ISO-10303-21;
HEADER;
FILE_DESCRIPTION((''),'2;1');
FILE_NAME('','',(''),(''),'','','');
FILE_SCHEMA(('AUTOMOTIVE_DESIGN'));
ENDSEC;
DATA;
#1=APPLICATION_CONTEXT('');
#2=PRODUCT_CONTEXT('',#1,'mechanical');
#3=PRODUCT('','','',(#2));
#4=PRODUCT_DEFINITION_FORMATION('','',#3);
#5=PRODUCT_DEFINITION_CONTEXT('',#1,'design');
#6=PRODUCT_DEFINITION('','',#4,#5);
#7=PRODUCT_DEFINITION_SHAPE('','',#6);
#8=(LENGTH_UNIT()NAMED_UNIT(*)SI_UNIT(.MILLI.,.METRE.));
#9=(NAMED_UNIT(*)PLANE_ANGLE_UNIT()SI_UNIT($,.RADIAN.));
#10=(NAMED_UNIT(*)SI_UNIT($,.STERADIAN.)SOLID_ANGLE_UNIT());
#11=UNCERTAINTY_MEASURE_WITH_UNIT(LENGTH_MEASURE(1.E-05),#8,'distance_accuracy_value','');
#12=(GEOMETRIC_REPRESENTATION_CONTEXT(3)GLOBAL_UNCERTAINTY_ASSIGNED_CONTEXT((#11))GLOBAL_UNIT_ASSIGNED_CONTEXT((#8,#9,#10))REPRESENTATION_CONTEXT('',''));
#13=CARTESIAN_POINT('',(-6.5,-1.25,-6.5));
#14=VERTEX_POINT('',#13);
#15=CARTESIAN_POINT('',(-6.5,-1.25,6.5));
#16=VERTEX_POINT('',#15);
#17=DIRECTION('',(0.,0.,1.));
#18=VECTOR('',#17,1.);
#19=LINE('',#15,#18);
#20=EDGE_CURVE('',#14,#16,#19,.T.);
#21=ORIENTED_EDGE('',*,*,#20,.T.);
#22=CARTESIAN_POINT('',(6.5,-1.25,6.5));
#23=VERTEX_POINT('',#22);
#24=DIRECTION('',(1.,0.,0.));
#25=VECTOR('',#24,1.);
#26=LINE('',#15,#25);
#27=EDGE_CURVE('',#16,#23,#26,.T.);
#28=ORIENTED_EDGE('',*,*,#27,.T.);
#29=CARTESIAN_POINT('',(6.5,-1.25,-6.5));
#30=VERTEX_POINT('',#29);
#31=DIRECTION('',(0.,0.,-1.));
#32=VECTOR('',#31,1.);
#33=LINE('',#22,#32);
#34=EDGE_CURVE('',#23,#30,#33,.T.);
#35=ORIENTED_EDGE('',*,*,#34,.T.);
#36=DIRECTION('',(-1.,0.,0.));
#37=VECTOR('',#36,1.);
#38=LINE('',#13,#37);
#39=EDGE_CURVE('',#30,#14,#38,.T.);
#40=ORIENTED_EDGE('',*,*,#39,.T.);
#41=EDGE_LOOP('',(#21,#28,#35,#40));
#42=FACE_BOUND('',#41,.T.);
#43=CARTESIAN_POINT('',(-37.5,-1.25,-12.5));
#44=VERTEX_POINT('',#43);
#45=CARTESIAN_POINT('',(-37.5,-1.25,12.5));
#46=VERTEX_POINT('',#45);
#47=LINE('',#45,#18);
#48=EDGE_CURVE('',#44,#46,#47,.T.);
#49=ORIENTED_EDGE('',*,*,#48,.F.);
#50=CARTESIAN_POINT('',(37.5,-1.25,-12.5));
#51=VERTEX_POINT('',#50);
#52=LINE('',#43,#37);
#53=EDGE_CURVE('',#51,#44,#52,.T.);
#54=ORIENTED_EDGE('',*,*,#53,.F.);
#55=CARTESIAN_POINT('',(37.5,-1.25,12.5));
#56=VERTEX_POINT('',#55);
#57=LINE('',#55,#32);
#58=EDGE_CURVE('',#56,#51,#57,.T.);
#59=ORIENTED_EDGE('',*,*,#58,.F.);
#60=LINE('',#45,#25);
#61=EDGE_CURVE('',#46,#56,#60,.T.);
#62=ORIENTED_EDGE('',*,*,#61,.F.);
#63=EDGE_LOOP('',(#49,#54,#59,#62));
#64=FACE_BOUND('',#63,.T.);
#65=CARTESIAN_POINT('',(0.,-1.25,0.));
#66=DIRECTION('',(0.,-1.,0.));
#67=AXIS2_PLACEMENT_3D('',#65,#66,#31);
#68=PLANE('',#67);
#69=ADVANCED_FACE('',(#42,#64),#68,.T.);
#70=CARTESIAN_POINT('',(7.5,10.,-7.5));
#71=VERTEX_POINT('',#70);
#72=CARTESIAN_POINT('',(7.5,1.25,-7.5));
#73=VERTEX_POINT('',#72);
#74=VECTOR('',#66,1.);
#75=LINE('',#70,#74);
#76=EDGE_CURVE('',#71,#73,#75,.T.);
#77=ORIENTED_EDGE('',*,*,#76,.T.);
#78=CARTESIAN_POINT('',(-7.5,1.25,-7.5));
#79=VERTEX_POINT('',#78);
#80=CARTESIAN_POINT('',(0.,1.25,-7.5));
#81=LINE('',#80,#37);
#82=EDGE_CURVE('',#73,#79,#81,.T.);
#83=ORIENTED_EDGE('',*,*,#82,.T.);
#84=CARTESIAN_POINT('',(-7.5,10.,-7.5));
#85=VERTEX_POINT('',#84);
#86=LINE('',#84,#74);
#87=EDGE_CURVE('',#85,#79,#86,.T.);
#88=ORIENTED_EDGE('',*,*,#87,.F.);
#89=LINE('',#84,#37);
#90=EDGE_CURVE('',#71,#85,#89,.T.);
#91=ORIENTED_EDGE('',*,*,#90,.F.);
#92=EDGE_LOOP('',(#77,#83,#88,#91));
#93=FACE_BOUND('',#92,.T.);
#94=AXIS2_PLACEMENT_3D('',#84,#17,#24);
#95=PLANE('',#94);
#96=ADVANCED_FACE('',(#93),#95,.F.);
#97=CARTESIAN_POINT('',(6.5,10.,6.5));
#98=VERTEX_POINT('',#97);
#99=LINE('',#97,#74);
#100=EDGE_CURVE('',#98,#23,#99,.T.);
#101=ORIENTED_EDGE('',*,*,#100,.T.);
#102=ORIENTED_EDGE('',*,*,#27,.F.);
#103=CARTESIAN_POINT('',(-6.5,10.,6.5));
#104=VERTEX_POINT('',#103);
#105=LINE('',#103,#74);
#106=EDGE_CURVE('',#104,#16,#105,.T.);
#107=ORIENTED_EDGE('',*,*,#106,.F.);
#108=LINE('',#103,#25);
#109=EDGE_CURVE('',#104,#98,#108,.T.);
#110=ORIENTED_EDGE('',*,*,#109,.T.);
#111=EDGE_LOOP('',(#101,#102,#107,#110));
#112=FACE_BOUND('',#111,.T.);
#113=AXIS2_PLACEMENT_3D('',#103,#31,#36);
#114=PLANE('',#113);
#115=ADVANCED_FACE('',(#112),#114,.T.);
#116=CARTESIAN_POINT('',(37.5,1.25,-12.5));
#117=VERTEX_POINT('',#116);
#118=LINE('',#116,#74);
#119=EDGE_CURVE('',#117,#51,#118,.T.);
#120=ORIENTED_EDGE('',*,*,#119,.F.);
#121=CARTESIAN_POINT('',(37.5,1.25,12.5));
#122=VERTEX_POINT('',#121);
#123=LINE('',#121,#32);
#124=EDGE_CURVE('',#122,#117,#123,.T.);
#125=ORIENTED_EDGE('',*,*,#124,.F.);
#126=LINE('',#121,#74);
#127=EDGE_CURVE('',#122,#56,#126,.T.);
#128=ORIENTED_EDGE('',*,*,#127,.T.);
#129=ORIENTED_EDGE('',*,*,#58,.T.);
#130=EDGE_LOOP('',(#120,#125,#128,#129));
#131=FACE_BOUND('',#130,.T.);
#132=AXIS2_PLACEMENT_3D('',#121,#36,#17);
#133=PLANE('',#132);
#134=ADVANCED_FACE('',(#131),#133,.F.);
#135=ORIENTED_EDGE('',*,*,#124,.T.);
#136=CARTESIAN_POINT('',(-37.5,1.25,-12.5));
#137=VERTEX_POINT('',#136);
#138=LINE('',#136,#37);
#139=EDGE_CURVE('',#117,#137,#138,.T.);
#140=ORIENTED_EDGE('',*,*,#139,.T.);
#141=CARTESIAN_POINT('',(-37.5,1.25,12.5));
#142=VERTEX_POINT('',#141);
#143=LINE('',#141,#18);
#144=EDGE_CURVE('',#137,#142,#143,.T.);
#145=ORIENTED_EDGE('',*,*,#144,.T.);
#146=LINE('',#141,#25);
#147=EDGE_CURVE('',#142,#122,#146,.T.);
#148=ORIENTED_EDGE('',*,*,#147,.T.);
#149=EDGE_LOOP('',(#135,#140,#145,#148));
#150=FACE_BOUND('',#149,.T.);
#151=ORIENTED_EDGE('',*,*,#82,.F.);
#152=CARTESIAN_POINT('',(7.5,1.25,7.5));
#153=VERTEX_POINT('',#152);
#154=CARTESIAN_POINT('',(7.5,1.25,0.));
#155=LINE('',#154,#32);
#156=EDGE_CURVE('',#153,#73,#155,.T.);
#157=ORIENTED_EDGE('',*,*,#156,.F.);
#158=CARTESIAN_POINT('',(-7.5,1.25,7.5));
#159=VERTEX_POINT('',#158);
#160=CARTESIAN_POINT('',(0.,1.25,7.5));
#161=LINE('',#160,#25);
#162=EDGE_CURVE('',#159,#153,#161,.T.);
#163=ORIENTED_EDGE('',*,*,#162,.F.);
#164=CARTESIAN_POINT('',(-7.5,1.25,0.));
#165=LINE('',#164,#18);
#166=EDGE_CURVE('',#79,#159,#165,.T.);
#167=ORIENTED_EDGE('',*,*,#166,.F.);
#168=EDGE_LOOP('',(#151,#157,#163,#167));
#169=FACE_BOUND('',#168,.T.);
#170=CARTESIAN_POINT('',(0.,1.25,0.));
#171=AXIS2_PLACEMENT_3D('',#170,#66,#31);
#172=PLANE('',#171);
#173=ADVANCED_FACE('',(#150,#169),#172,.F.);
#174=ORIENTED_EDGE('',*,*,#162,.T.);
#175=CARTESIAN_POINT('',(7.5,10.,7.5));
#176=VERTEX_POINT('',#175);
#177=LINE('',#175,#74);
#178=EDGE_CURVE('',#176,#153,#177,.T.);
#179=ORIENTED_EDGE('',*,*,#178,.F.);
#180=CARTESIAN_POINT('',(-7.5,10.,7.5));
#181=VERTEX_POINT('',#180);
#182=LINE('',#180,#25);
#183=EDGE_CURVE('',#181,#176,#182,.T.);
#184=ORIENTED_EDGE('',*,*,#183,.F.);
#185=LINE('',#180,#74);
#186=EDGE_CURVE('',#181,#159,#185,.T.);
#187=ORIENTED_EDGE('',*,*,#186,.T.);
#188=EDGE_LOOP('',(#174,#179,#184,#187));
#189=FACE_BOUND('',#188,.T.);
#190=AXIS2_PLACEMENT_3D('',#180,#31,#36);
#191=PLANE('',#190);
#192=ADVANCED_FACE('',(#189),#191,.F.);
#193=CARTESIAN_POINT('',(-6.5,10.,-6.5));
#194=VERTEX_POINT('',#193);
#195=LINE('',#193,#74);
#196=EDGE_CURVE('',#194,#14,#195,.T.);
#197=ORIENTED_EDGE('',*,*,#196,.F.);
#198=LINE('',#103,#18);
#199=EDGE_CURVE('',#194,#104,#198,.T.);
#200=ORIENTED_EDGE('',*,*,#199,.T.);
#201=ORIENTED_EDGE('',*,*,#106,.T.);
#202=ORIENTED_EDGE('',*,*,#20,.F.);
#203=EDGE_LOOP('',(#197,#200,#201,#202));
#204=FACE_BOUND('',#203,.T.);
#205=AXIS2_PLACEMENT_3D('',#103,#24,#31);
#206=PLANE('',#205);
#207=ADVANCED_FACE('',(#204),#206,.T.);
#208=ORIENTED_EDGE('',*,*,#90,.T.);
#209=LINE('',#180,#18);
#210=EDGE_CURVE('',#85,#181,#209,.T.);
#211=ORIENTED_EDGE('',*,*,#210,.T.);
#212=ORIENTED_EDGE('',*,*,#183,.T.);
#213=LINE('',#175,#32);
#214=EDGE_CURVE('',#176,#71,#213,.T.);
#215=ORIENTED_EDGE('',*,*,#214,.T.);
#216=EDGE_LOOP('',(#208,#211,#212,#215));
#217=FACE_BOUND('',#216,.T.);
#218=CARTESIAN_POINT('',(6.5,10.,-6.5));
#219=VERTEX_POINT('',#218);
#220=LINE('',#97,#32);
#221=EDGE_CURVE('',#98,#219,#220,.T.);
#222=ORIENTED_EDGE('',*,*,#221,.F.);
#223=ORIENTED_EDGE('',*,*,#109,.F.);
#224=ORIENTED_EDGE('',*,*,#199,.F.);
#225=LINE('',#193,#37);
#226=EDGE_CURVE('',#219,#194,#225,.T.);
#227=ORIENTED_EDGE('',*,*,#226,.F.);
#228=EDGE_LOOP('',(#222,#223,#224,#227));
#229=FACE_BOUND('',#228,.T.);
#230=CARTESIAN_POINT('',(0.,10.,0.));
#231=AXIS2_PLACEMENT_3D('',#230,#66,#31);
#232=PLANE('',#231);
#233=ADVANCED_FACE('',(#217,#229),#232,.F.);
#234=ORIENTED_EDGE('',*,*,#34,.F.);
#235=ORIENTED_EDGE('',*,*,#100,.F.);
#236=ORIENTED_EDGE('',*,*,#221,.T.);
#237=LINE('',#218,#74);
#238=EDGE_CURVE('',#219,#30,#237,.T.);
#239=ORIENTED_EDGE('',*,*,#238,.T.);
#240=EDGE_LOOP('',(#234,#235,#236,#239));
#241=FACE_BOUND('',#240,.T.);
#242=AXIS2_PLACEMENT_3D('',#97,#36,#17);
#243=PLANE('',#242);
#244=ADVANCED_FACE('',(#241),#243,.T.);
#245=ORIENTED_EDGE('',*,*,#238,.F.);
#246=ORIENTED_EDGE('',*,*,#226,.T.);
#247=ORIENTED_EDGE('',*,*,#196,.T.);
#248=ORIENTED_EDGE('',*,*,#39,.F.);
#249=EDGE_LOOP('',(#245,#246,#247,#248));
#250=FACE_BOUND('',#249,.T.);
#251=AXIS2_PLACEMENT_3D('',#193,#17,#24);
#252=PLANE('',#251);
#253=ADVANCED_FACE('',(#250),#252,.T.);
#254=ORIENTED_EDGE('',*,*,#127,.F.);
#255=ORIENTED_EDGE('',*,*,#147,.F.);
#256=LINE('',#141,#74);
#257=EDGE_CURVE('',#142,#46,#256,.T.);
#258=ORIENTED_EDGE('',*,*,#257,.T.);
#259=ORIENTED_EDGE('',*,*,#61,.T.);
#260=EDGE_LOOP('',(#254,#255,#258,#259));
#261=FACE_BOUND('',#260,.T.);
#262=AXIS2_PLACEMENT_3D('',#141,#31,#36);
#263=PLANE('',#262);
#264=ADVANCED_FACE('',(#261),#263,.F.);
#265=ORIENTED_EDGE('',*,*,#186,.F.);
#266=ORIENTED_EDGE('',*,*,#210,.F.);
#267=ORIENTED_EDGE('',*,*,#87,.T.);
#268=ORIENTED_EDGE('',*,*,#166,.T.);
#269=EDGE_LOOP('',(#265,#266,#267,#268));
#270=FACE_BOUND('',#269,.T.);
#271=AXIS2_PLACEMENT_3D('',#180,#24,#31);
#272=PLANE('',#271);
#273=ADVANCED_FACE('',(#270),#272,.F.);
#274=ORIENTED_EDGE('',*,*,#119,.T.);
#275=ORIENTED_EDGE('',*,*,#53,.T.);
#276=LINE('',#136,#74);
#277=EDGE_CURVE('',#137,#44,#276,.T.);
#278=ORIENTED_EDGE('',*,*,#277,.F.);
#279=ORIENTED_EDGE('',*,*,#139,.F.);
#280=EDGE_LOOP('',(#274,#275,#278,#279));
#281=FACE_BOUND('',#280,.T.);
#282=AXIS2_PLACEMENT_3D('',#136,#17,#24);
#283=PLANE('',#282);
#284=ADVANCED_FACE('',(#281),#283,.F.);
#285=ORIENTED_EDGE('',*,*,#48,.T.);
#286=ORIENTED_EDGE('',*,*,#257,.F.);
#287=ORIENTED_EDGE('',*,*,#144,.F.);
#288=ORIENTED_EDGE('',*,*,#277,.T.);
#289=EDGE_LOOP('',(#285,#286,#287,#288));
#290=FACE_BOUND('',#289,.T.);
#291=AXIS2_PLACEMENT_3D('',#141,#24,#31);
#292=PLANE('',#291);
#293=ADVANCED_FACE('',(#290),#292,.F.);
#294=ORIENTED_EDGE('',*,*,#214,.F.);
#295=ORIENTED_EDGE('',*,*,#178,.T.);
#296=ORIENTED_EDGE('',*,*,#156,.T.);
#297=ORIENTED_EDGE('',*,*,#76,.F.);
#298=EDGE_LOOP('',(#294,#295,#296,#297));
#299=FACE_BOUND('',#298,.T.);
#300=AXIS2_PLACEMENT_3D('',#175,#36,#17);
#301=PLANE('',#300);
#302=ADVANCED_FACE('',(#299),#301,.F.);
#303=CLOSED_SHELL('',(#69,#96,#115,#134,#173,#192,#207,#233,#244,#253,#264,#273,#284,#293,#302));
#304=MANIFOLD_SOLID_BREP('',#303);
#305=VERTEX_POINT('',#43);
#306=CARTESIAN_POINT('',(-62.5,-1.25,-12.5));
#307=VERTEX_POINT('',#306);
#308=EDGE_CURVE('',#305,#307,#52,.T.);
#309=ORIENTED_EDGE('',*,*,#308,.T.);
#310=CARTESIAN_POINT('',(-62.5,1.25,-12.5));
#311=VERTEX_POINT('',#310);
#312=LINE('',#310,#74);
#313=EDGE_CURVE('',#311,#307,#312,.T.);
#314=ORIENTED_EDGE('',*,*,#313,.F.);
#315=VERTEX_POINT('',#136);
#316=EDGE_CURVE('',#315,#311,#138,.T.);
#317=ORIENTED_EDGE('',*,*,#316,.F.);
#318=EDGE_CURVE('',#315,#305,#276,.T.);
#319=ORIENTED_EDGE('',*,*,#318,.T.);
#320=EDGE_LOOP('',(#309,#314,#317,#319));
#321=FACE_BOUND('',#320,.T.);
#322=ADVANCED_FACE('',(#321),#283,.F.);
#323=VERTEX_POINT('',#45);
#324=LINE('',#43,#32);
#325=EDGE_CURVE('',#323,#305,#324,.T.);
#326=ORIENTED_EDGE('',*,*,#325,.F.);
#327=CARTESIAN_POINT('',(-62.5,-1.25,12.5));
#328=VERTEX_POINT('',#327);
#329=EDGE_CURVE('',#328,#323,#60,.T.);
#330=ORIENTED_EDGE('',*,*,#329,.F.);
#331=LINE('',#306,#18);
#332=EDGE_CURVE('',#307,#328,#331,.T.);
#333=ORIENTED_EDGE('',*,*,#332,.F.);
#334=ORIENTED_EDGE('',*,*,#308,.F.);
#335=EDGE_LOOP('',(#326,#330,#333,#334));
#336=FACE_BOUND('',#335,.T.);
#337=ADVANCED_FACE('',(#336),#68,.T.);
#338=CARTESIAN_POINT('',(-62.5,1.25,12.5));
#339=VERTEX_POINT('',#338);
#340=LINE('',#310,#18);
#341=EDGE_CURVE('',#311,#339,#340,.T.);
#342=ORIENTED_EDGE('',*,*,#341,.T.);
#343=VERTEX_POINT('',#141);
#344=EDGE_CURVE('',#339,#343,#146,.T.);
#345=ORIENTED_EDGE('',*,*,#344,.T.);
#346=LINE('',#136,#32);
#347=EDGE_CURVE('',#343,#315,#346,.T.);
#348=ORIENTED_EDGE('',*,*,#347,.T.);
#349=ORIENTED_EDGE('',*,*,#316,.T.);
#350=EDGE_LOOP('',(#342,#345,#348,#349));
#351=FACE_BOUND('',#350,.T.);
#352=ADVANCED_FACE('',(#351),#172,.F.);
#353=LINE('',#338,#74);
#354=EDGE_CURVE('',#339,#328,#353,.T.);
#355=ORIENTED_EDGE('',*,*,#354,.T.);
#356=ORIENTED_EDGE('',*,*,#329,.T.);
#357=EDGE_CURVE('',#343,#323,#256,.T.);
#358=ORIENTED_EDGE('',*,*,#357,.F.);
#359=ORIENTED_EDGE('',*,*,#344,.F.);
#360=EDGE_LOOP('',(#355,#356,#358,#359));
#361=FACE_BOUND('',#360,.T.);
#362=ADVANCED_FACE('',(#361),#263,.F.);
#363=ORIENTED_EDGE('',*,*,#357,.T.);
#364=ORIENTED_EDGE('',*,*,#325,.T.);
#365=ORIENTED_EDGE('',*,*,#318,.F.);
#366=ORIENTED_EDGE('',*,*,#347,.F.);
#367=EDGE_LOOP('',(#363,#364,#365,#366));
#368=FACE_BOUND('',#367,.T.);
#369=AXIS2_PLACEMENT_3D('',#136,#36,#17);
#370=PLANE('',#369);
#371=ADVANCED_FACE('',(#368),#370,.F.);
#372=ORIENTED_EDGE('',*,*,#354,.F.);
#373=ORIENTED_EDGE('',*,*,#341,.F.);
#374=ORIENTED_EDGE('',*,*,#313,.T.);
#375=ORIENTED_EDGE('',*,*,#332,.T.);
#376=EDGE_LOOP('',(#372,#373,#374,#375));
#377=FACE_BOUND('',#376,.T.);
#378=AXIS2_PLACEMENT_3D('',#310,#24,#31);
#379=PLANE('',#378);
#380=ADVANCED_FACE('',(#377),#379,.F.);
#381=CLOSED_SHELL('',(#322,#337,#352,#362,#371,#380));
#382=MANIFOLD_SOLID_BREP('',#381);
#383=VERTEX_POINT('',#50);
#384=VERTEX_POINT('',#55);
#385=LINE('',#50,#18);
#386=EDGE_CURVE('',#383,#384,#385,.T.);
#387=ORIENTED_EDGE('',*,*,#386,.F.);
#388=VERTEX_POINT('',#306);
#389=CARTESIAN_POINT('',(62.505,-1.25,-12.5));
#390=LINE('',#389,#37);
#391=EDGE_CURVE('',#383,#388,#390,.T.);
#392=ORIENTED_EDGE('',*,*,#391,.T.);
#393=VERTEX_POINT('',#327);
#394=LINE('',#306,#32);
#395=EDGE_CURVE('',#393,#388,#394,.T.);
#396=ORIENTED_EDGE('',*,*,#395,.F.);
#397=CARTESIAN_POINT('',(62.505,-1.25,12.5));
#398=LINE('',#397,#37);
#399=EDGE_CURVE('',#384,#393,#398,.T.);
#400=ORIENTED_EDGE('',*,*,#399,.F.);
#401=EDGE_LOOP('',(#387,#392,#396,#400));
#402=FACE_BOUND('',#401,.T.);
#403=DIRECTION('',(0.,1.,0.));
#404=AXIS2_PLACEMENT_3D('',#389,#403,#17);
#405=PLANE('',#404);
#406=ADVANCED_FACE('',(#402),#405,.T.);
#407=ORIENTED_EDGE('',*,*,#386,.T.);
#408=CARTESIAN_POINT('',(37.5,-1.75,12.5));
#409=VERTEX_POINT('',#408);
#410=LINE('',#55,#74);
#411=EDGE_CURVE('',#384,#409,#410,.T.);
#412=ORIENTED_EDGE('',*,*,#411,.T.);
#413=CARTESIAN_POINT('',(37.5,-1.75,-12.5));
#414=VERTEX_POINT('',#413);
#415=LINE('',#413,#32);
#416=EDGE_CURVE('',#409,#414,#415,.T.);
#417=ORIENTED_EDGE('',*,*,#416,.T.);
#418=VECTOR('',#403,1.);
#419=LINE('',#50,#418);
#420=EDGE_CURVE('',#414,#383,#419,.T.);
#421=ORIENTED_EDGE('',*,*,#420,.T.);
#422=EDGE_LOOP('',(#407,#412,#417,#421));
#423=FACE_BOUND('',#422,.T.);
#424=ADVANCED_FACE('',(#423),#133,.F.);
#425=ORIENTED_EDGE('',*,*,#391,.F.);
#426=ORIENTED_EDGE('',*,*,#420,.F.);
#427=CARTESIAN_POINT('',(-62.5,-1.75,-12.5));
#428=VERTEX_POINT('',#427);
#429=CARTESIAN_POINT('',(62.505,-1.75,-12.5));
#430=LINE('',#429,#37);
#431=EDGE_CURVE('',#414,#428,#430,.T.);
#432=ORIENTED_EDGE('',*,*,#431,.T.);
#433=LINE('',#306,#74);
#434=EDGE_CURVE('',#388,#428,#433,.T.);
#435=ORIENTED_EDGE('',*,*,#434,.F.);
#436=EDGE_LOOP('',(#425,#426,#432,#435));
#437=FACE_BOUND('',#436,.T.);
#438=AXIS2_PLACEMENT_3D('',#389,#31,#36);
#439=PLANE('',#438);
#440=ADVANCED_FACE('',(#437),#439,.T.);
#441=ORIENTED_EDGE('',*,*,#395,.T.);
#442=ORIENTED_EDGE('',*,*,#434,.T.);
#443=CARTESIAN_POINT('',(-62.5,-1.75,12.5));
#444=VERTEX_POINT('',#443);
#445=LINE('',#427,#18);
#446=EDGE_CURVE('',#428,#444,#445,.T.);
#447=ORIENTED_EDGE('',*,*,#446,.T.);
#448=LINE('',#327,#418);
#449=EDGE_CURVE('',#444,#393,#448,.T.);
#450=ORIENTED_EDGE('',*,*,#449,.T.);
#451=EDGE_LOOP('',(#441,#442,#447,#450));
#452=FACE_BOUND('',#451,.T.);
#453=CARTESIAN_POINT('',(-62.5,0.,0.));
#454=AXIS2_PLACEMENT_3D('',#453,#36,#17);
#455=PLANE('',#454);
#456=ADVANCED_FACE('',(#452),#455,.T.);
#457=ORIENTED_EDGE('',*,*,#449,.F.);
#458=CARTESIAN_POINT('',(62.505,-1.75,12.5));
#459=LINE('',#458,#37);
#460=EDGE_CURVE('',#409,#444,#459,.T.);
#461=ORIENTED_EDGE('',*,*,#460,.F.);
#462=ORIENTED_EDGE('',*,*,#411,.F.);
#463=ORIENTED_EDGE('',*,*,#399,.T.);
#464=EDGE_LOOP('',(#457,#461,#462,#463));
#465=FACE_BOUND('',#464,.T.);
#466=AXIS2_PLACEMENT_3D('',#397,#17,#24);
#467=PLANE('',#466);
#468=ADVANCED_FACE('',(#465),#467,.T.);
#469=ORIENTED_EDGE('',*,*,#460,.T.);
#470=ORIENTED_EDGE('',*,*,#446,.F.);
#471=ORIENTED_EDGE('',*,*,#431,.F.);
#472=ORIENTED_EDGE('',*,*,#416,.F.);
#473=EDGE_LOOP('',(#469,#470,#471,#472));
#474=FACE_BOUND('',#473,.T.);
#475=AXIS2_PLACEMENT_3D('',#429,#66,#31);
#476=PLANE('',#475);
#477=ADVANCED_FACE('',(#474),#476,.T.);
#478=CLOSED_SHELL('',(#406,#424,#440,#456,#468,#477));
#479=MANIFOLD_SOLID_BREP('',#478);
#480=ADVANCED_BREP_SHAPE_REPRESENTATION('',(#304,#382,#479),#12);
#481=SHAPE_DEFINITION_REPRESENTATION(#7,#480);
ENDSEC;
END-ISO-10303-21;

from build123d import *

# Parameters (mm, degrees)
SKETCH1_W           = 75
SKETCH1_H           = 25
SLIDE_DEPTH         = 1.25
SKETCH4_W           = 25
SKETCH4_H           = 25
LABEL_DEPTH         = 1.25
SKETCH5_W           = 15
SKETCH5_H           = 15
SKETCH5_W_2         = 13
SKETCH5_H_2         = 13
BOSS_EXTRUDE1_DEPTH = 10
SKETCH6_W           = 13
SKETCH6_H           = 13
CUT_EXTRUDE1_DEPTH  = 2.5
SKETCH7_W           = 25
SKETCH7_H           = 0.5
BOSS_EXTRUDE2_DEPTH = 100


with BuildPart() as part:
    # Sketch1 → Slide (new body, symmetric)
    with BuildSketch(Plane(origin=(0, 0, 0), x_dir=(1, 0, 0), z_dir=(0, 1, 0))):
        Rectangle(SKETCH1_W, SKETCH1_H)
    extrude(amount=SLIDE_DEPTH, both=True)

    # Sketch5 → Boss-Extrude1 (add)
    with BuildSketch(Plane(origin=(0, 0, 0), x_dir=(1, 0, 0), z_dir=(0, 1, 0))):
        Rectangle(SKETCH5_W, SKETCH5_H)
        Rectangle(SKETCH5_W_2, SKETCH5_H_2, mode=Mode.SUBTRACT)
    extrude(amount=BOSS_EXTRUDE1_DEPTH)

    # Sketch6 → Cut-Extrude1 (cut)
    with BuildSketch(Plane(origin=(0, 1.25, 0), x_dir=(1, 0, 0), z_dir=(0, 1, 0))):
        Rectangle(SKETCH6_W, SKETCH6_H)
    extrude(amount=-CUT_EXTRUDE1_DEPTH, mode=Mode.SUBTRACT)


with BuildPart() as body_2:
    # Sketch4 → Label (new body, symmetric)
    with BuildSketch(Plane(origin=(0, 0, 0), x_dir=(1, 0, 0), z_dir=(0, 1, 0))):
        with Locations((-50, 0)):
            Rectangle(SKETCH4_W, SKETCH4_H)
    extrude(amount=LABEL_DEPTH, both=True)


with BuildPart() as body_3:
    # Sketch7 → Boss-Extrude2 (new body)
    with BuildSketch(Plane.ZY.offset(62.5)):
        with Locations((0, -1.5)):
            Rectangle(SKETCH7_W, SKETCH7_H)
    extrude(amount=-BOSS_EXTRUDE2_DEPTH)


solid = Compound([part.part, body_2.part, body_3.part])
